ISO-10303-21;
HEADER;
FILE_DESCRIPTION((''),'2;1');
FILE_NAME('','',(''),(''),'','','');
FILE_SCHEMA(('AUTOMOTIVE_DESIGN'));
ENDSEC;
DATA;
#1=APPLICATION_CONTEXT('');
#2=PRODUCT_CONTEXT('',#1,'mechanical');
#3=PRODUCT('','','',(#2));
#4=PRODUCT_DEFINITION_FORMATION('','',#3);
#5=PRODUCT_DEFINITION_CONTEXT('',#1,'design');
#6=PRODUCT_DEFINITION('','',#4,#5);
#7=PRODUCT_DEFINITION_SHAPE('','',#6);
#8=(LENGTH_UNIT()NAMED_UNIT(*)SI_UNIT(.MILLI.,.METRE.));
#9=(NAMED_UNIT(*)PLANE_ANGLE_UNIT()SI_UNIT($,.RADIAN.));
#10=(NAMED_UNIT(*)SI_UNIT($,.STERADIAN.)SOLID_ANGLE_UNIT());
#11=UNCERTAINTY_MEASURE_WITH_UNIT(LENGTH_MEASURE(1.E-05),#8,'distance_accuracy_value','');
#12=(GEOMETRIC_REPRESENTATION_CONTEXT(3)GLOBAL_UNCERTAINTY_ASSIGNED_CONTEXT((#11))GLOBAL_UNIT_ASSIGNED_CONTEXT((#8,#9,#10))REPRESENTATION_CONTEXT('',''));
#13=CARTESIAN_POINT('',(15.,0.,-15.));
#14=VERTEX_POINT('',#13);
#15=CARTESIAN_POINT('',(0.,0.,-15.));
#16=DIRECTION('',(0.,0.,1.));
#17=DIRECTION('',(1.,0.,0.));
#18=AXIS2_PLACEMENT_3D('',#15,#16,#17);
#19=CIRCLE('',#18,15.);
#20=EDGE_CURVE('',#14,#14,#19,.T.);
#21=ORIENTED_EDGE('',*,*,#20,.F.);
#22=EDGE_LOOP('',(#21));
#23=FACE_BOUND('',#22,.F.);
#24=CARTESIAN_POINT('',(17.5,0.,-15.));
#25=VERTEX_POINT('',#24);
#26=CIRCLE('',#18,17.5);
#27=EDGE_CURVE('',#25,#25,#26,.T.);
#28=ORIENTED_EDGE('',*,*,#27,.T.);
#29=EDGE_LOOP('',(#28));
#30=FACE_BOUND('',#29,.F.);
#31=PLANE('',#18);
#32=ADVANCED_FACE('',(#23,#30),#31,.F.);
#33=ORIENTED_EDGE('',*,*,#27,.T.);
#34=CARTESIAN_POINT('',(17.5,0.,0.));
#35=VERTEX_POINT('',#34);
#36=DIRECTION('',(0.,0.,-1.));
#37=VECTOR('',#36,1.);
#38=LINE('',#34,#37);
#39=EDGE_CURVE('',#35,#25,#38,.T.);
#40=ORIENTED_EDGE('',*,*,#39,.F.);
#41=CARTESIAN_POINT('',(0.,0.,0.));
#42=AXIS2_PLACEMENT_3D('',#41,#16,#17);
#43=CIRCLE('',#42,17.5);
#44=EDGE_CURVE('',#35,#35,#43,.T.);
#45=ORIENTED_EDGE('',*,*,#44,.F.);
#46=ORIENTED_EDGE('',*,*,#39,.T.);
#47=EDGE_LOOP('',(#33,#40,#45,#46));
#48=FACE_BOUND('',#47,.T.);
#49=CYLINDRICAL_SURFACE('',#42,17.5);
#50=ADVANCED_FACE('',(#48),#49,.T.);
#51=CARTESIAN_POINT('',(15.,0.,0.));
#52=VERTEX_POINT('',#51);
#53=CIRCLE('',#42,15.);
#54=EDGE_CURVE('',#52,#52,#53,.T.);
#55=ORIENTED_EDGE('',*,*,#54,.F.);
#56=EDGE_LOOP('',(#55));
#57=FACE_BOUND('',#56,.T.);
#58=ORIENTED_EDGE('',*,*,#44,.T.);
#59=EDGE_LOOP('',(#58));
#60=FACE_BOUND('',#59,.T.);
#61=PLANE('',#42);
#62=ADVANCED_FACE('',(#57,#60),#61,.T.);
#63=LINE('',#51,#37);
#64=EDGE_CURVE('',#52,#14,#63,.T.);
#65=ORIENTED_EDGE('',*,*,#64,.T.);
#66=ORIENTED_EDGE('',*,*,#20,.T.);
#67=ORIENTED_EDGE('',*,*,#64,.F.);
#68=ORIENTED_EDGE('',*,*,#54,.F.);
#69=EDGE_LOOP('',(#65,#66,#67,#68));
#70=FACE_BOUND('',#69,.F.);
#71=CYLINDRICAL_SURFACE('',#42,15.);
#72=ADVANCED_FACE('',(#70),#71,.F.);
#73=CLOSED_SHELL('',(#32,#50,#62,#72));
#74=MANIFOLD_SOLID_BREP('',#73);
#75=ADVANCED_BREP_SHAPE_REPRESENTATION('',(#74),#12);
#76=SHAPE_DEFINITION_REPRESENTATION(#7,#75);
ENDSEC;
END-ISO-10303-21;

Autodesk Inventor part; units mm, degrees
ref_plane "YZ Plane" through (0, 0, 0) normal (1, 0, 0) x (0, 1, 0)
ref_plane "XZ Plane" through (0, 0, 0) normal (0, 1, 0) x (-1, 0, 0)
ref_plane "XY Plane" through (0, 0, 0) normal (0, 0, 1) x (1, 0, 0)
sketch "Szkic1" plane through (0, 0, 0) normal (0, 0, 1) x (1, 0, 0)
  circle A0 centre (0, 0) radius 15 projected
  circle A1 centre (0, 0) radius 17.5
  dimension "d0" = 2.5
extrude "Wyciągnięcie proste1" add sketch "Szkic1" against normal blind 15
properties part number "podstawa_formy"
